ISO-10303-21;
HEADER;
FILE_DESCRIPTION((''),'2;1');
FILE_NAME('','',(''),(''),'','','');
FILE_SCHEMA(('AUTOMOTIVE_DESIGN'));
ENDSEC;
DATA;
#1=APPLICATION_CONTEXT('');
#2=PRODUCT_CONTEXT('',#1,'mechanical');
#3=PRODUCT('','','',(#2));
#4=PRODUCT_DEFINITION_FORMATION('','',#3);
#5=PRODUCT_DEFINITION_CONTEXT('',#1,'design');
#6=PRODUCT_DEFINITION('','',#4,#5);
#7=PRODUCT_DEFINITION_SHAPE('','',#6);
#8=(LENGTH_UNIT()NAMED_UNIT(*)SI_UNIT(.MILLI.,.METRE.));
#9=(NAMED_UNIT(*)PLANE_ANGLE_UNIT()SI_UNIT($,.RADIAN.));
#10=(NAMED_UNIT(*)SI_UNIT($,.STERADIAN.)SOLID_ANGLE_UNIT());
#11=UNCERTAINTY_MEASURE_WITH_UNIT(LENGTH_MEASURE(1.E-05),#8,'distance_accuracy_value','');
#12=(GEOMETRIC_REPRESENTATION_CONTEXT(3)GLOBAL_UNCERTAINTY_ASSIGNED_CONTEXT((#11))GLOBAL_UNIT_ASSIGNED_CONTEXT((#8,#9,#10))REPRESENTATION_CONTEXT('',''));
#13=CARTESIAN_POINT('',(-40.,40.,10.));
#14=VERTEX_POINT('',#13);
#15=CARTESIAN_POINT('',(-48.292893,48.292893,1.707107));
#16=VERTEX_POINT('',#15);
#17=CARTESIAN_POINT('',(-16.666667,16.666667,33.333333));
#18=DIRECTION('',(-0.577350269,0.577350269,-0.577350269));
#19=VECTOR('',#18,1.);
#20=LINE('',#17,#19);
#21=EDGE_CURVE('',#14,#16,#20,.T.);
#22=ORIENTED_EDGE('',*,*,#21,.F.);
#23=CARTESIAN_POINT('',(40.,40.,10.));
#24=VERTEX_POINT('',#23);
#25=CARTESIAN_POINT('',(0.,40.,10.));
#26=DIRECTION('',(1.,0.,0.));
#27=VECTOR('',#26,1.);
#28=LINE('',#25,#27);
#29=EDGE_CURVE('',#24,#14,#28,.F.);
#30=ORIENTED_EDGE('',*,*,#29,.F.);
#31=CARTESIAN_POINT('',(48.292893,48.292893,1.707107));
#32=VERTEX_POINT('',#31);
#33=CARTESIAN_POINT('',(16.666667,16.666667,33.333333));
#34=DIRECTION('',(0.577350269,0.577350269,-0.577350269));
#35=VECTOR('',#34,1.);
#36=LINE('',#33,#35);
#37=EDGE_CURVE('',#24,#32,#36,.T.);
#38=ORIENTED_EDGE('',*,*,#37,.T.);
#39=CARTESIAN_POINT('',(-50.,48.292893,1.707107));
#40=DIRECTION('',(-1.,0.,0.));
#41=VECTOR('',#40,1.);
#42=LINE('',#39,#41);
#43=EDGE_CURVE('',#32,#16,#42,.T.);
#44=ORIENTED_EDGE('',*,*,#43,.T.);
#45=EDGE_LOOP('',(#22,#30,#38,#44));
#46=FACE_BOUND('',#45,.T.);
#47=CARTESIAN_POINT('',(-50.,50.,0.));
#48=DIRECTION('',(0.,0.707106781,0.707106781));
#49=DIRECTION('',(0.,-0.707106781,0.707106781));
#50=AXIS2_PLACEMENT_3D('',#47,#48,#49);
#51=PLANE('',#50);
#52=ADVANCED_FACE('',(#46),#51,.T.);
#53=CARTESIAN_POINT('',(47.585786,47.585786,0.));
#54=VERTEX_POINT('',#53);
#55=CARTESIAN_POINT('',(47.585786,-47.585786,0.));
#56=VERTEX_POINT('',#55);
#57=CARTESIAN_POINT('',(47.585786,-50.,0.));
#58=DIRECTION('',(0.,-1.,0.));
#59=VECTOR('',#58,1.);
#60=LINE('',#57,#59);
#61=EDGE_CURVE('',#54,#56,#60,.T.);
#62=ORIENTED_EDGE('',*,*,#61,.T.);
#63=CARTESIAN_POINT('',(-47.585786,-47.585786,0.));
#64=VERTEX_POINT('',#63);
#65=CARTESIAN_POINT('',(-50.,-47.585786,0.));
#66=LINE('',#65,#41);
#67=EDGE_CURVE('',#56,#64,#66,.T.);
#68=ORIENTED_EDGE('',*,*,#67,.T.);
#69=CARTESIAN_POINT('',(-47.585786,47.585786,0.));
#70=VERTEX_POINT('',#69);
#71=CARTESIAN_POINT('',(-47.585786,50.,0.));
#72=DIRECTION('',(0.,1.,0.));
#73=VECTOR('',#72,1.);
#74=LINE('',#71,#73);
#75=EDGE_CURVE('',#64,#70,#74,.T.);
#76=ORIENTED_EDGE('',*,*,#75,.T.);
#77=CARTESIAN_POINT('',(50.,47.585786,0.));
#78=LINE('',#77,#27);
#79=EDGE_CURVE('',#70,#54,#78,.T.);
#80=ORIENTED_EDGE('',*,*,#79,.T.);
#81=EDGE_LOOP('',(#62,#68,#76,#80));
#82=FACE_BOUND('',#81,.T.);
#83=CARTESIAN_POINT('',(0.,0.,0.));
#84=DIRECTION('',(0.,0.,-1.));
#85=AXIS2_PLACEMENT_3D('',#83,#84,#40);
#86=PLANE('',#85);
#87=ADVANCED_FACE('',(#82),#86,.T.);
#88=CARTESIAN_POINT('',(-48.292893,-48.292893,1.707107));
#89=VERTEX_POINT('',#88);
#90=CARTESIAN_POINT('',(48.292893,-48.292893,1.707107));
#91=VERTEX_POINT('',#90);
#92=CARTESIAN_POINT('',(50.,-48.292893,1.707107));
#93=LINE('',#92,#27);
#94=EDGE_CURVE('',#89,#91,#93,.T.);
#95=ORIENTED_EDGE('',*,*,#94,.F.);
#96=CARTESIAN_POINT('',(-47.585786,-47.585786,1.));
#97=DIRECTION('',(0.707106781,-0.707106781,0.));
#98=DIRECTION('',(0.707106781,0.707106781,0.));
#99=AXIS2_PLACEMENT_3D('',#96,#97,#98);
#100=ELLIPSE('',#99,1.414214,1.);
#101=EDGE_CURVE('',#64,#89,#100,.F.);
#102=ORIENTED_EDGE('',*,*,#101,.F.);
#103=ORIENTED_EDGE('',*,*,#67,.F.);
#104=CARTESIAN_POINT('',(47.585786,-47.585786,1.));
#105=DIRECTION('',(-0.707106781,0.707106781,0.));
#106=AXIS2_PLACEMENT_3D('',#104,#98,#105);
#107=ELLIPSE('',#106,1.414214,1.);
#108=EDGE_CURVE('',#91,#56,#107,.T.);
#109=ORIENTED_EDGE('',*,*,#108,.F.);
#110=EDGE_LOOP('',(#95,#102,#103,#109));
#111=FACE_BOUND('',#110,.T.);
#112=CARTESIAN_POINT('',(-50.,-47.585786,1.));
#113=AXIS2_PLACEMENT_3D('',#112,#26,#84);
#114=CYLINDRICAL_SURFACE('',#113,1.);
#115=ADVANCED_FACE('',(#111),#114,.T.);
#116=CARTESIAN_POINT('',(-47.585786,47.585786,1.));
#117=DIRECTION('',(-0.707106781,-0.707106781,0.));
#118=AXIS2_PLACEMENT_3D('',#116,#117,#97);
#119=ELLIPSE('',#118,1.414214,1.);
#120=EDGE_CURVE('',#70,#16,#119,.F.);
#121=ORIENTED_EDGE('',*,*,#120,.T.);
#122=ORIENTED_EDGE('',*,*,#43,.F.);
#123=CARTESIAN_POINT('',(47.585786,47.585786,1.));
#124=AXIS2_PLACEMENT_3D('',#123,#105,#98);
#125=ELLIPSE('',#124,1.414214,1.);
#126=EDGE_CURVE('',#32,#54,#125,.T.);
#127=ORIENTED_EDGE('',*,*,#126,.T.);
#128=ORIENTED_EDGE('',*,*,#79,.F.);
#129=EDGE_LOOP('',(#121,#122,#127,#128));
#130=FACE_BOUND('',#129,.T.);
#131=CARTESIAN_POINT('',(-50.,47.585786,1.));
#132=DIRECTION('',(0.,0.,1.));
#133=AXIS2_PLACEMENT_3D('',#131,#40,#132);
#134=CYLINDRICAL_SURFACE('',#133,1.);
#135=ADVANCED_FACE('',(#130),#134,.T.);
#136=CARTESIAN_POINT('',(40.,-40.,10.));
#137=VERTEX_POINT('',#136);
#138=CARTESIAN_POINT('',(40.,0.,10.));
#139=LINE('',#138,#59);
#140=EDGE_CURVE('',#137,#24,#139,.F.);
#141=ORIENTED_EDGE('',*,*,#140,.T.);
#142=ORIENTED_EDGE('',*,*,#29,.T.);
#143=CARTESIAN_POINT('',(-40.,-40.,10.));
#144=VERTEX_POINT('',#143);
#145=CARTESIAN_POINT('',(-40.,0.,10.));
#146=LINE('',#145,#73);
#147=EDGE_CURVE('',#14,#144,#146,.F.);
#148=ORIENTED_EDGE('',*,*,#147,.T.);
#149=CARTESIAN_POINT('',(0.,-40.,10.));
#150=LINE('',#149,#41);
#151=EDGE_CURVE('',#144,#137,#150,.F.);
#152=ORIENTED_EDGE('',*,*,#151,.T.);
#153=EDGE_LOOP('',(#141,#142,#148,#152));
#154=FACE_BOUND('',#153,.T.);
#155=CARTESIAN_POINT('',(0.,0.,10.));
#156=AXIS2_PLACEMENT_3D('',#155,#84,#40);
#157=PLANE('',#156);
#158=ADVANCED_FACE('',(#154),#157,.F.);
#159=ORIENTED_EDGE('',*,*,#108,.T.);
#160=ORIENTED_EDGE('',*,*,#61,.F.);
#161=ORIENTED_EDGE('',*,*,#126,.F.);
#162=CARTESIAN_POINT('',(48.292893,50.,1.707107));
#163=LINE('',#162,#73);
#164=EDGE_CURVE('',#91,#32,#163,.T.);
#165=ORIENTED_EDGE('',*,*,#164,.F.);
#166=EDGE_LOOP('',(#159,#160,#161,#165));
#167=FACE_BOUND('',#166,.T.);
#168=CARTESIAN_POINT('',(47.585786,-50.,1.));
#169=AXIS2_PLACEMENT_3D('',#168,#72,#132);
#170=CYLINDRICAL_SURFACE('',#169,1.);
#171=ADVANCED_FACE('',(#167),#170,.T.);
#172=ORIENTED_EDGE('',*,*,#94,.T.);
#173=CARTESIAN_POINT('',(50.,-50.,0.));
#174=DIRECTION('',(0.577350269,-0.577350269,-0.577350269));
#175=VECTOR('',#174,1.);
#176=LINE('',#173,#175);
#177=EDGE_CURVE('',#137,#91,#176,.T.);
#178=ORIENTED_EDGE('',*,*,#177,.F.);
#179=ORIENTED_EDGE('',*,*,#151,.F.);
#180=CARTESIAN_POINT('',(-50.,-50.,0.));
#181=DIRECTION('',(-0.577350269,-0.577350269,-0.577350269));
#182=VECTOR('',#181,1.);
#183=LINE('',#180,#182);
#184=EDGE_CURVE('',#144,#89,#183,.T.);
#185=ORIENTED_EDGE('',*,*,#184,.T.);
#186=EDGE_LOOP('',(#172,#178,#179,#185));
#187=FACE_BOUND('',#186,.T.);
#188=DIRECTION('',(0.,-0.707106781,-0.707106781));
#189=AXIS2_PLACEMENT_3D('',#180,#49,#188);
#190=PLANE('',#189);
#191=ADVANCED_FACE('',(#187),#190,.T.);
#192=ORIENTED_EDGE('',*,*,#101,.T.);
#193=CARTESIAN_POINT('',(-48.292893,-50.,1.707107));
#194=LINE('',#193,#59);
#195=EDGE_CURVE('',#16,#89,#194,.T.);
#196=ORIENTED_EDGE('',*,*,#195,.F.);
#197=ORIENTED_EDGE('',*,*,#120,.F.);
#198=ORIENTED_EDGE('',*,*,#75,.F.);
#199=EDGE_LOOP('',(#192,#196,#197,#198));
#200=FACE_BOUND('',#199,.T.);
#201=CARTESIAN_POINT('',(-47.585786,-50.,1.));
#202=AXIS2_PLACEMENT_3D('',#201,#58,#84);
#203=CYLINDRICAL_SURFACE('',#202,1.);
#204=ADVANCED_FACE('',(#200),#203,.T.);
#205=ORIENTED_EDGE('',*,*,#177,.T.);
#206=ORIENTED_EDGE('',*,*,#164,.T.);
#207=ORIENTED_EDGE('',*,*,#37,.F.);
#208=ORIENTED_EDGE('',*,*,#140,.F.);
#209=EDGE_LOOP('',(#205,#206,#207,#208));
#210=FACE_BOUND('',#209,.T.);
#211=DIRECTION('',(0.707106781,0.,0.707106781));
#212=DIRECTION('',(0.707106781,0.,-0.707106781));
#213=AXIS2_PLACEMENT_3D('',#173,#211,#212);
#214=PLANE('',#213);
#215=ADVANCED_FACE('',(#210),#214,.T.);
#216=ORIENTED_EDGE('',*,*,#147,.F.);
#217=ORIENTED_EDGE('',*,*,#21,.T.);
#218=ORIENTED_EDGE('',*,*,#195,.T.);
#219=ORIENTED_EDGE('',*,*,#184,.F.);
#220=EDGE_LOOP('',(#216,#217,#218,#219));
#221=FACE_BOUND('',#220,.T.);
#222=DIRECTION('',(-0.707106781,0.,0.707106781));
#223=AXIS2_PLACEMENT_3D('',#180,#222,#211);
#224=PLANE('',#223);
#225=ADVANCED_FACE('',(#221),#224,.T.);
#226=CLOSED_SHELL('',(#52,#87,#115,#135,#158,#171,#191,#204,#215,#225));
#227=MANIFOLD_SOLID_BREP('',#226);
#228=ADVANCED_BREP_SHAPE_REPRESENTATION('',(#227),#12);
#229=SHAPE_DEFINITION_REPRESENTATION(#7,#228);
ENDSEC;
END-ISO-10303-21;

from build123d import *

# Parameters (mm, degrees)
SKETCH1_W           = 100
SKETCH1_H           = 100
BOSS_EXTRUDE1_DEPTH = 10
BOSS_EXTRUDE1_TAPER = 45
FILLET1_R           = 1


with BuildPart() as part:
    # Sketch1 → Boss-Extrude1 (new body)
    with BuildSketch(Plane.XY):
        Rectangle(SKETCH1_W, SKETCH1_H)
    extrude(amount=BOSS_EXTRUDE1_DEPTH, taper=BOSS_EXTRUDE1_TAPER)

    # Fillet1
    fillet1_edges = [part.edges().sort_by_distance(p)[0] for p in [
        (0, -50, 0),
        (-50, 0, 0),
        (0, 50, 0),
        (50, 0, 0),
    ]]
    fillet(fillet1_edges, radius=FILLET1_R)


solid = part.part
